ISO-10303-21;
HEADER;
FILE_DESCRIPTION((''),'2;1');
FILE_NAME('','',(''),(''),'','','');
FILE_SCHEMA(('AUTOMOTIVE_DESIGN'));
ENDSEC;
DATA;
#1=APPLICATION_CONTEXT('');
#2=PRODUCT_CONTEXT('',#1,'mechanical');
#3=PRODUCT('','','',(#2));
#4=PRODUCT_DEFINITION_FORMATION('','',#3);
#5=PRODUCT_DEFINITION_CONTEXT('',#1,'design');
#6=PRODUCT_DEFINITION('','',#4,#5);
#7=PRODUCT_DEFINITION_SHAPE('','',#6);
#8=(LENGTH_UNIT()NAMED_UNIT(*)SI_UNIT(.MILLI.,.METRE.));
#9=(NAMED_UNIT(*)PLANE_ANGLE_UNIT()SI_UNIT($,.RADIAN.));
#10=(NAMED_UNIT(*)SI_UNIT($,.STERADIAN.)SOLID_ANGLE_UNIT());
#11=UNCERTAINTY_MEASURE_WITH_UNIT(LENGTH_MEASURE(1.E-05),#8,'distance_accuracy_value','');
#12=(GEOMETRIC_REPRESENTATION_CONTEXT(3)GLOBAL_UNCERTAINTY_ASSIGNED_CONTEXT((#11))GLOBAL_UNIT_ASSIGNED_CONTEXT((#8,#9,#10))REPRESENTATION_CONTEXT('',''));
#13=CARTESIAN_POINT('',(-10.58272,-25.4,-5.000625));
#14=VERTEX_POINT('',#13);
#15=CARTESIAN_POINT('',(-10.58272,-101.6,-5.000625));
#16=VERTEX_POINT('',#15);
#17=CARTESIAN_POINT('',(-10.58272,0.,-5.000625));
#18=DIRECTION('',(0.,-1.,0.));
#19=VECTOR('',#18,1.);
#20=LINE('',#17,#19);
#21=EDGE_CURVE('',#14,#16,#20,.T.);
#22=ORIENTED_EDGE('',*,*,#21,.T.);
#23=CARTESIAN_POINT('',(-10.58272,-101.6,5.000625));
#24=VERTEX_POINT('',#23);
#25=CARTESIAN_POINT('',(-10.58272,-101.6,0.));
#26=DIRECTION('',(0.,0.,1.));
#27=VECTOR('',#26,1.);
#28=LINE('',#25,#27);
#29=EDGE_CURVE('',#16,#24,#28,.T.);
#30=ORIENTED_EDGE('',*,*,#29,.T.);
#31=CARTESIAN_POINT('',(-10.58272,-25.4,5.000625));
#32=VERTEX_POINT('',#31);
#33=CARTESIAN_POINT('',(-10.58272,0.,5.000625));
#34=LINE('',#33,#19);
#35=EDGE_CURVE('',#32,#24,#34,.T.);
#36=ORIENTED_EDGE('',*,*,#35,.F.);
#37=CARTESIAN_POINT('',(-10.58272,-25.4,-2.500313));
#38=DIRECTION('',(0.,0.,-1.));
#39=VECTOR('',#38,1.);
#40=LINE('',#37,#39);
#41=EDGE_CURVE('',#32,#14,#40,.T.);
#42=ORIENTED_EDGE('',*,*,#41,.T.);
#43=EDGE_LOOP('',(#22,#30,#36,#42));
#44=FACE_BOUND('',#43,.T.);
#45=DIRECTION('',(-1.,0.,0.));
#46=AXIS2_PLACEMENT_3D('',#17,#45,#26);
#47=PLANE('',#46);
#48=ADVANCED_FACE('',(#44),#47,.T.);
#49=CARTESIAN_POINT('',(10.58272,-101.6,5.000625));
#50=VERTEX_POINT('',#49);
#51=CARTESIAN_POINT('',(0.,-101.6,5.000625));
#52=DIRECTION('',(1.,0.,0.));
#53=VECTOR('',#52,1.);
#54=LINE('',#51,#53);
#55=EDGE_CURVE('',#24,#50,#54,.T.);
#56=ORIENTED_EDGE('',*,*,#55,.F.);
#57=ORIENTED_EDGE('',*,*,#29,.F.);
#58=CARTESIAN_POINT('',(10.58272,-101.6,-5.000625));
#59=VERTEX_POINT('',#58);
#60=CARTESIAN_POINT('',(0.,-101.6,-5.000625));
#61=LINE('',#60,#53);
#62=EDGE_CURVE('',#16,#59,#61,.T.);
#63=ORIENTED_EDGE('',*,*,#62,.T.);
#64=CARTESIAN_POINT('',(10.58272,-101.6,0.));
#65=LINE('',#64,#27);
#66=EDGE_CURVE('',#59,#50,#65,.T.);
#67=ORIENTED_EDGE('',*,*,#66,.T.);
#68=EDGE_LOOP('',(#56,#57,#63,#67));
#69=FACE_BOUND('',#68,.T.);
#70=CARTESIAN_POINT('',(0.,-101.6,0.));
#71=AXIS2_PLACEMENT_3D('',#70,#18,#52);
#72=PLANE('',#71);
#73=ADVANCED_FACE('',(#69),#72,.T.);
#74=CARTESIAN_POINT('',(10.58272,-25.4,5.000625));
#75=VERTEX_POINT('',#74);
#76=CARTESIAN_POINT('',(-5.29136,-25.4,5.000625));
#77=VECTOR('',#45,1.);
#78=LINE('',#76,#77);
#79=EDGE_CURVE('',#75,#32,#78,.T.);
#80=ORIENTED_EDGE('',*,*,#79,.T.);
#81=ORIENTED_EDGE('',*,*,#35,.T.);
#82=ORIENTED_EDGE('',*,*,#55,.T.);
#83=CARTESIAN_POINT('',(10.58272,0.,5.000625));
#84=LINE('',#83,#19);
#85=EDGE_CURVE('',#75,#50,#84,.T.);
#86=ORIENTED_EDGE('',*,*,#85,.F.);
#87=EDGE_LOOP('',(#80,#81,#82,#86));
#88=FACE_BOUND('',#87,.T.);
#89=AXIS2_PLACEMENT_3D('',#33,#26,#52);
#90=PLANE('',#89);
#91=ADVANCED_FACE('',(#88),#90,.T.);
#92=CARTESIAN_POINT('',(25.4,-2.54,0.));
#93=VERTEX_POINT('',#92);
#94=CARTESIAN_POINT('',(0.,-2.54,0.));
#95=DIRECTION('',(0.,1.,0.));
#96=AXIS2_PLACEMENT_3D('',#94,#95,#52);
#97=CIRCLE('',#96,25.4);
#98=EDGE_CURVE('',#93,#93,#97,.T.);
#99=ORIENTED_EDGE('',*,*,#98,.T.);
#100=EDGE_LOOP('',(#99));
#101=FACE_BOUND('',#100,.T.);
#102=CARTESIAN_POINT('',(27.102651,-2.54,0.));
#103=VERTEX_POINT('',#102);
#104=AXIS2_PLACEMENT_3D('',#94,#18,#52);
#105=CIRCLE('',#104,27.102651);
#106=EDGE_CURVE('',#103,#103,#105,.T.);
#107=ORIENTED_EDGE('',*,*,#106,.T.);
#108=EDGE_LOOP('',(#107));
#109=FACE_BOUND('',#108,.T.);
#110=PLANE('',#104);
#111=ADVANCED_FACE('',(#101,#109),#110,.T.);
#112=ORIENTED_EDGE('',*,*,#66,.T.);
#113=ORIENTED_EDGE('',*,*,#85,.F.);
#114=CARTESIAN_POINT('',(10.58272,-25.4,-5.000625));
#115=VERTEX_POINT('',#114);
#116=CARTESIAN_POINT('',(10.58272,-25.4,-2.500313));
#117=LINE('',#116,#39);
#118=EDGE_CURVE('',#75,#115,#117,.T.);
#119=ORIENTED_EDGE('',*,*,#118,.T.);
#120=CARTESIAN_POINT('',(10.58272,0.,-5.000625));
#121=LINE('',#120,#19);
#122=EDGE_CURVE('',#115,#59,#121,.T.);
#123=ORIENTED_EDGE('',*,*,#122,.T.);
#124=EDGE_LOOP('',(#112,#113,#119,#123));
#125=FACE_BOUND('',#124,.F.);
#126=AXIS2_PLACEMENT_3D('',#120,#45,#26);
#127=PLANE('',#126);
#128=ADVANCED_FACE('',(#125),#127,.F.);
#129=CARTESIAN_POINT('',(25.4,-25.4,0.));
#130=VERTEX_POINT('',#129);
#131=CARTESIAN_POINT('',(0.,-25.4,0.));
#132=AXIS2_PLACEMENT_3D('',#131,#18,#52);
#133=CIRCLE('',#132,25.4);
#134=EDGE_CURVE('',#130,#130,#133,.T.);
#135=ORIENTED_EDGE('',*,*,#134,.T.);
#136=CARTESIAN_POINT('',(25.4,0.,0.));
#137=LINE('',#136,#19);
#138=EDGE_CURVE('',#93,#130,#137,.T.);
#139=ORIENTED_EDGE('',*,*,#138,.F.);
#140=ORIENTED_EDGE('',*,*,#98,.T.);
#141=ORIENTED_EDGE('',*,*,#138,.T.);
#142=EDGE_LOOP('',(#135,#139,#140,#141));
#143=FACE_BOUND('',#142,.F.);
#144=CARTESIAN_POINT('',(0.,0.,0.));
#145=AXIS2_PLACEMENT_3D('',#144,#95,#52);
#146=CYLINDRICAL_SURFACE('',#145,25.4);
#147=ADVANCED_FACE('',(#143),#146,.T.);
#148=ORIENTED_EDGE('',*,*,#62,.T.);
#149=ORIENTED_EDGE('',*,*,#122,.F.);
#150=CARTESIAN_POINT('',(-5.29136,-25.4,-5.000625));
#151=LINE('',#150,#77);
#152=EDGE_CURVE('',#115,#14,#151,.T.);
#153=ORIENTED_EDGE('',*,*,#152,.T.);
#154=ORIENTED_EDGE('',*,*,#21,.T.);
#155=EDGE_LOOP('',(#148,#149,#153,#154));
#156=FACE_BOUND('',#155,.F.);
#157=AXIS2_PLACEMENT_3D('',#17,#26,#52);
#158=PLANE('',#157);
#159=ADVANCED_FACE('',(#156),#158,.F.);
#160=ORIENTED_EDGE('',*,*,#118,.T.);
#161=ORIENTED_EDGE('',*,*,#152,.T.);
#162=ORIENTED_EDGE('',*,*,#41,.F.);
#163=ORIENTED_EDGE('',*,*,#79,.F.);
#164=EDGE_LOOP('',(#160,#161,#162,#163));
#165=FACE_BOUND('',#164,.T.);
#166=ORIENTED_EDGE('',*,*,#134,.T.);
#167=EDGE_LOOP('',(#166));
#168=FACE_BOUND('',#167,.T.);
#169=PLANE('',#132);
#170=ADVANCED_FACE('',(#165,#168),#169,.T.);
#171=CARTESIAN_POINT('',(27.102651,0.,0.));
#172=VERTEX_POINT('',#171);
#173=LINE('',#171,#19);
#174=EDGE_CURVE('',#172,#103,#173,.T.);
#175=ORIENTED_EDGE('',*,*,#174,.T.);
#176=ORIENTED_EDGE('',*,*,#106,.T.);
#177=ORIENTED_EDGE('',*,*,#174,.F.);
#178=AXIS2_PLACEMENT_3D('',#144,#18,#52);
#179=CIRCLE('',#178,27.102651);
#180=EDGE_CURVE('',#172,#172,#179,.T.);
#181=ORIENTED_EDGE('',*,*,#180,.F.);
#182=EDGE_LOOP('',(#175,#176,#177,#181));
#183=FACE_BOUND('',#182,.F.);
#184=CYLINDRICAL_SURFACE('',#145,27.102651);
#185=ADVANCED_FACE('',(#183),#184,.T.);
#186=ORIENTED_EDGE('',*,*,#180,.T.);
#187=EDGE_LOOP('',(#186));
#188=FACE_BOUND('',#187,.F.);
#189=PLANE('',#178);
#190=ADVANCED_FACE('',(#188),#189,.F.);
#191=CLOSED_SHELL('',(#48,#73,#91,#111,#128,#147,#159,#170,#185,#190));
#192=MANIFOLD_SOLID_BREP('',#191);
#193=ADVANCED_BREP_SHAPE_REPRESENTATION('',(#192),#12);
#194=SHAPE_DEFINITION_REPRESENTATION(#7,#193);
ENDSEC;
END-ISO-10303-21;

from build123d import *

# Parameters (mm, degrees)
F0_R     = 25.4
F1_DEPTH = 25.4
F2_W     = 21.16544
F2_H     = 10.00125
F3_DEPTH = 101.6
F4_R     = 27.102651
F5_DEPTH = 2.54


with BuildPart() as f1:
    # F0 (on Front) → F1 (new body)
    with BuildSketch(Plane.XZ):
        Circle(F0_R)
    extrude(amount=F1_DEPTH)

    # F2 (on Front) → F3 (join)
    with BuildSketch(Plane.XZ):
        Rectangle(F2_W, F2_H)
    extrude(amount=F3_DEPTH)

    # F4 (on Front) → F5 (join)
    with BuildSketch(Plane.XZ):
        Circle(F4_R)
    extrude(amount=F5_DEPTH)


solid = f1.part
